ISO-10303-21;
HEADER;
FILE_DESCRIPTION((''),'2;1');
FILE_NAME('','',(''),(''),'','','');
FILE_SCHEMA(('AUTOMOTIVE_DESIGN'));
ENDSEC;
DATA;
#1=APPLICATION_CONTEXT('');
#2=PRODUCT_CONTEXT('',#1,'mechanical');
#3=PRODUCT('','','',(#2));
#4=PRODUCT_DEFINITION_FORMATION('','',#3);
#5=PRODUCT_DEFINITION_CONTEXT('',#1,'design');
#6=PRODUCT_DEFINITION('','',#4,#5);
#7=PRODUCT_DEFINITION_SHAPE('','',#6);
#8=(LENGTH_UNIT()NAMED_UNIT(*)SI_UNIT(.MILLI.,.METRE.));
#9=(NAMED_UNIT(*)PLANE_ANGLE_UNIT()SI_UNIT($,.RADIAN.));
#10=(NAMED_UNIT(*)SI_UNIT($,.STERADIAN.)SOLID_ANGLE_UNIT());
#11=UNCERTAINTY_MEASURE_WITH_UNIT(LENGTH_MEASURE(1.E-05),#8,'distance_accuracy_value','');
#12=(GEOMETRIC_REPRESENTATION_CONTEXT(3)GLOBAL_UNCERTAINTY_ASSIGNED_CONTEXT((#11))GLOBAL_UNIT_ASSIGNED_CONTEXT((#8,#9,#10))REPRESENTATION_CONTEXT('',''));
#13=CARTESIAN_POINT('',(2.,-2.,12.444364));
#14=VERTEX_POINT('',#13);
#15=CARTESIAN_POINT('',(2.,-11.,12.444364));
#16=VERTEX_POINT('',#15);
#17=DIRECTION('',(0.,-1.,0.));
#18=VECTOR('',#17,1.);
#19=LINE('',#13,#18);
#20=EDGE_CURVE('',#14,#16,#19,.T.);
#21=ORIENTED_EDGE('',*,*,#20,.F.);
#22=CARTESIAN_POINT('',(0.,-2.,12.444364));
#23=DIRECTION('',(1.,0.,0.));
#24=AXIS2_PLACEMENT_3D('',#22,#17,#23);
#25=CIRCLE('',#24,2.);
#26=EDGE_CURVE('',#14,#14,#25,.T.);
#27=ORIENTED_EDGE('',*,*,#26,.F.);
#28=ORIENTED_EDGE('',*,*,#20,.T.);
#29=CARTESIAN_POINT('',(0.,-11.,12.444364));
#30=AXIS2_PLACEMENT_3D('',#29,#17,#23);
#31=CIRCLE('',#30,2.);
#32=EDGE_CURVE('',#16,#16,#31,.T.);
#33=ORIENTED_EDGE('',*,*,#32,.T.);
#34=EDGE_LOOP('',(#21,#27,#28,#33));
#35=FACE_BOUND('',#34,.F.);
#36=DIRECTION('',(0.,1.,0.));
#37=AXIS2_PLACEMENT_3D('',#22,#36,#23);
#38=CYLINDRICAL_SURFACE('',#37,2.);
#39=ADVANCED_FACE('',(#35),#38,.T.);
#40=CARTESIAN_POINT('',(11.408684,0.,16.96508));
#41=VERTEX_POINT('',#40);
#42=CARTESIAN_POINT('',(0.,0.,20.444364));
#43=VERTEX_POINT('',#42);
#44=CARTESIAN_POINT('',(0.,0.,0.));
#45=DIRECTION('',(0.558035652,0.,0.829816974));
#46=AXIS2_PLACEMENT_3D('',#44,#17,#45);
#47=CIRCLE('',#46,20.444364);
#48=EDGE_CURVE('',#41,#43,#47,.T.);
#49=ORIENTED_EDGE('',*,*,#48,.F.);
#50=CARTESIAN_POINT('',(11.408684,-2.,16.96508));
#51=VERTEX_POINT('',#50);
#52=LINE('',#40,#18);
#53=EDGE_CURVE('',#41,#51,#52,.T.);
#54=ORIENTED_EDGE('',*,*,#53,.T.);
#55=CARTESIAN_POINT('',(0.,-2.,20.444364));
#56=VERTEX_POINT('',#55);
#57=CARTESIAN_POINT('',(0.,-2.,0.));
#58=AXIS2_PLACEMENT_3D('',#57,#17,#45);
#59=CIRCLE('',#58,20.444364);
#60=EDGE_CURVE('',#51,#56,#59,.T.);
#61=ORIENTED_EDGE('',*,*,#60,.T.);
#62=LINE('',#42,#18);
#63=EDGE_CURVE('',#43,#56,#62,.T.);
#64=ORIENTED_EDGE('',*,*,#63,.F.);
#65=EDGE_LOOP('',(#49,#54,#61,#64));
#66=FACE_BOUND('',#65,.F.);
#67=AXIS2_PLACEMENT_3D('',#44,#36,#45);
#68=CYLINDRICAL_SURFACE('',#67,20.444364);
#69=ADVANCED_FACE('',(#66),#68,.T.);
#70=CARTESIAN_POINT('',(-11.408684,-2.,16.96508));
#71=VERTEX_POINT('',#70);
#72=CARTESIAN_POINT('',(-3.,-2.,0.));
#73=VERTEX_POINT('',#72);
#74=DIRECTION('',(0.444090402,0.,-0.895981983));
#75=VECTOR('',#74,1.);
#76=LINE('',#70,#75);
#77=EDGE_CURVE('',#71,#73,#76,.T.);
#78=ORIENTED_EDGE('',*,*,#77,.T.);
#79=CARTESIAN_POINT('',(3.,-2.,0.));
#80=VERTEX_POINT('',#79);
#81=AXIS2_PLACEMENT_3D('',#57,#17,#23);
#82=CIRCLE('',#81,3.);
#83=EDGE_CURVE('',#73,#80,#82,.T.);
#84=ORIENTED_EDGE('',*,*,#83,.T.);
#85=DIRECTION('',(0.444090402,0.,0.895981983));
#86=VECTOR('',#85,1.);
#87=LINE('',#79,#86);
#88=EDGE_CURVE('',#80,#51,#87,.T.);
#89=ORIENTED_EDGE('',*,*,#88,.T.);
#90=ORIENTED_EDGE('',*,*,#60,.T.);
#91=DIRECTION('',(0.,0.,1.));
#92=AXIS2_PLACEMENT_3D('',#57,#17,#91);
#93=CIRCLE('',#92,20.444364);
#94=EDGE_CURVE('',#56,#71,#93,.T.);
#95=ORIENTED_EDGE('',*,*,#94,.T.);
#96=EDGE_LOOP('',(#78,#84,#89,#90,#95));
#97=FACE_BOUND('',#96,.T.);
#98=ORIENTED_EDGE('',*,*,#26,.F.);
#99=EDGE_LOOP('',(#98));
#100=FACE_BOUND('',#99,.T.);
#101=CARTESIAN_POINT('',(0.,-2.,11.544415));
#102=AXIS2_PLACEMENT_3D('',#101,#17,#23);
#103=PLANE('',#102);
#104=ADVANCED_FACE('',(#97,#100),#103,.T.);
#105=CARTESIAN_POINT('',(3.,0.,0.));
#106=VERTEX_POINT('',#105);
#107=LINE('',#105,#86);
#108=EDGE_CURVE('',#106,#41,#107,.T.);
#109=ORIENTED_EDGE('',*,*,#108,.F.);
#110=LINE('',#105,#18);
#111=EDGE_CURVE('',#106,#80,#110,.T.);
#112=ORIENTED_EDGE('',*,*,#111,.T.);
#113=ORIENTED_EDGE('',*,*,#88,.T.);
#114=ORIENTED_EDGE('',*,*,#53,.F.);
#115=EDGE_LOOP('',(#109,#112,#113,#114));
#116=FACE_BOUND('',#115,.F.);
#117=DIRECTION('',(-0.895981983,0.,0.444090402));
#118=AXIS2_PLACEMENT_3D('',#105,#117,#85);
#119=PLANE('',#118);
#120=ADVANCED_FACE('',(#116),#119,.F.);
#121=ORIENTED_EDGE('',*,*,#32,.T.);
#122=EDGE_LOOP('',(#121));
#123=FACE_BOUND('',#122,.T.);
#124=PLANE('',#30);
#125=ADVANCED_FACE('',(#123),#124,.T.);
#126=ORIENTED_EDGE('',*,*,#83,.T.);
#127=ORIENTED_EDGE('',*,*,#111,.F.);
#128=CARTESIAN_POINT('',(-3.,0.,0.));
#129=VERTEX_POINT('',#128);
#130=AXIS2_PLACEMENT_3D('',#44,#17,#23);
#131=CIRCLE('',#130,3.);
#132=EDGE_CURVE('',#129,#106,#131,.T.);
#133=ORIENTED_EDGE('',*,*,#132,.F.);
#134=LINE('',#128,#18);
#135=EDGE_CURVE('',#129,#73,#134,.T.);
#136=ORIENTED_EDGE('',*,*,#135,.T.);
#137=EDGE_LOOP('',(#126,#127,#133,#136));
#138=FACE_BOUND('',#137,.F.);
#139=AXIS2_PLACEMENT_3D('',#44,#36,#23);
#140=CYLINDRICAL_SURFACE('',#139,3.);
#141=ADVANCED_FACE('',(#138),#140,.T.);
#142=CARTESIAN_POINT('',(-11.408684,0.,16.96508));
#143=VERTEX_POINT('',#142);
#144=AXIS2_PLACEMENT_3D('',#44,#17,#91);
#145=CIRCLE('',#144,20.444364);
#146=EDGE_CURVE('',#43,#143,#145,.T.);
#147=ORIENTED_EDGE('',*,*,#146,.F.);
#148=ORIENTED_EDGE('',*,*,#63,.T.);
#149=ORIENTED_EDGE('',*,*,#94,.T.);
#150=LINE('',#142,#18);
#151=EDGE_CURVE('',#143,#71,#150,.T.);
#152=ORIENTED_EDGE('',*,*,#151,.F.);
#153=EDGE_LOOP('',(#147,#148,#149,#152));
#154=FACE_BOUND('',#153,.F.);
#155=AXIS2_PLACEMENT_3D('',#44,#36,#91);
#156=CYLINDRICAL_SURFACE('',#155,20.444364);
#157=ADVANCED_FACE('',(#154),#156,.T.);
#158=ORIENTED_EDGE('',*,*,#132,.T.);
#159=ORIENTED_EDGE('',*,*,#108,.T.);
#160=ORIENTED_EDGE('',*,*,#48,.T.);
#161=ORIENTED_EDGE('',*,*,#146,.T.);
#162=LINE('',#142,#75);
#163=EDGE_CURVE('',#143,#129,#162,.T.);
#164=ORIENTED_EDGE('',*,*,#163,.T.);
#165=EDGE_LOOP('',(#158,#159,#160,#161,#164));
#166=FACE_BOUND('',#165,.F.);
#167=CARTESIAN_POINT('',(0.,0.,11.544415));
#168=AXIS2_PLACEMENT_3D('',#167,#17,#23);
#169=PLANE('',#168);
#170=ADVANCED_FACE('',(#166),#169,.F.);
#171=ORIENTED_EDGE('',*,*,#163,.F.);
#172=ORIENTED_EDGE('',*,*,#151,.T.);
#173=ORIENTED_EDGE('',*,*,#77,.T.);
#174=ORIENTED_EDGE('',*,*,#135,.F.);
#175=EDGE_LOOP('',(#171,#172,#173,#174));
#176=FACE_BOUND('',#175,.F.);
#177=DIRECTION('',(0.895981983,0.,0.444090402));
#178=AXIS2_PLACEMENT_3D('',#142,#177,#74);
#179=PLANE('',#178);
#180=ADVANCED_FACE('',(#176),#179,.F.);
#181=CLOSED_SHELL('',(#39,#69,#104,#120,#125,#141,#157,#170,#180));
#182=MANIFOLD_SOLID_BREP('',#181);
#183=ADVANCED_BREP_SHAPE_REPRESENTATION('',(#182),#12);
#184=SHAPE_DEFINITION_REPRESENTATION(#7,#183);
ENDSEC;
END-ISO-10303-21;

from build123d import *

# Parameters (mm, degrees)
F1_DEPTH = 2
F2_R     = 2
F3_DEPTH = 9
F4_R     = 3
F5_DEPTH = 2


with BuildPart() as f1:
    # F0 (on Front) → F1 (new body)
    with BuildSketch(Plane.XZ):
        with BuildLine():
            Line((-11.4086838439, 16.9650800526), (-3, 0))
            Line((-3, 0), (3, 0))
            Line((3, 0), (11.4086838439, 16.9650800526))
            ThreePointArc((11.4086838439, 16.9650800526), (5.9637128105, 19.5552074332), (0, 20.444363728))
            ThreePointArc((0, 20.444363728), (-5.9637128105, 19.5552074332), (-11.4086838439, 16.9650800526))
        make_face()
    extrude(amount=F1_DEPTH)

    # F2 (on face) → F3 (join)
    with BuildSketch(Plane.XZ.offset(2)):
        with Locations((0, 12.444363728)):
            Circle(F2_R)
    extrude(amount=F3_DEPTH)

    # F4 (on Front) → F5 (join)
    with BuildSketch(Plane.XZ):
        Circle(F4_R)
    extrude(amount=F5_DEPTH)


solid = f1.part
